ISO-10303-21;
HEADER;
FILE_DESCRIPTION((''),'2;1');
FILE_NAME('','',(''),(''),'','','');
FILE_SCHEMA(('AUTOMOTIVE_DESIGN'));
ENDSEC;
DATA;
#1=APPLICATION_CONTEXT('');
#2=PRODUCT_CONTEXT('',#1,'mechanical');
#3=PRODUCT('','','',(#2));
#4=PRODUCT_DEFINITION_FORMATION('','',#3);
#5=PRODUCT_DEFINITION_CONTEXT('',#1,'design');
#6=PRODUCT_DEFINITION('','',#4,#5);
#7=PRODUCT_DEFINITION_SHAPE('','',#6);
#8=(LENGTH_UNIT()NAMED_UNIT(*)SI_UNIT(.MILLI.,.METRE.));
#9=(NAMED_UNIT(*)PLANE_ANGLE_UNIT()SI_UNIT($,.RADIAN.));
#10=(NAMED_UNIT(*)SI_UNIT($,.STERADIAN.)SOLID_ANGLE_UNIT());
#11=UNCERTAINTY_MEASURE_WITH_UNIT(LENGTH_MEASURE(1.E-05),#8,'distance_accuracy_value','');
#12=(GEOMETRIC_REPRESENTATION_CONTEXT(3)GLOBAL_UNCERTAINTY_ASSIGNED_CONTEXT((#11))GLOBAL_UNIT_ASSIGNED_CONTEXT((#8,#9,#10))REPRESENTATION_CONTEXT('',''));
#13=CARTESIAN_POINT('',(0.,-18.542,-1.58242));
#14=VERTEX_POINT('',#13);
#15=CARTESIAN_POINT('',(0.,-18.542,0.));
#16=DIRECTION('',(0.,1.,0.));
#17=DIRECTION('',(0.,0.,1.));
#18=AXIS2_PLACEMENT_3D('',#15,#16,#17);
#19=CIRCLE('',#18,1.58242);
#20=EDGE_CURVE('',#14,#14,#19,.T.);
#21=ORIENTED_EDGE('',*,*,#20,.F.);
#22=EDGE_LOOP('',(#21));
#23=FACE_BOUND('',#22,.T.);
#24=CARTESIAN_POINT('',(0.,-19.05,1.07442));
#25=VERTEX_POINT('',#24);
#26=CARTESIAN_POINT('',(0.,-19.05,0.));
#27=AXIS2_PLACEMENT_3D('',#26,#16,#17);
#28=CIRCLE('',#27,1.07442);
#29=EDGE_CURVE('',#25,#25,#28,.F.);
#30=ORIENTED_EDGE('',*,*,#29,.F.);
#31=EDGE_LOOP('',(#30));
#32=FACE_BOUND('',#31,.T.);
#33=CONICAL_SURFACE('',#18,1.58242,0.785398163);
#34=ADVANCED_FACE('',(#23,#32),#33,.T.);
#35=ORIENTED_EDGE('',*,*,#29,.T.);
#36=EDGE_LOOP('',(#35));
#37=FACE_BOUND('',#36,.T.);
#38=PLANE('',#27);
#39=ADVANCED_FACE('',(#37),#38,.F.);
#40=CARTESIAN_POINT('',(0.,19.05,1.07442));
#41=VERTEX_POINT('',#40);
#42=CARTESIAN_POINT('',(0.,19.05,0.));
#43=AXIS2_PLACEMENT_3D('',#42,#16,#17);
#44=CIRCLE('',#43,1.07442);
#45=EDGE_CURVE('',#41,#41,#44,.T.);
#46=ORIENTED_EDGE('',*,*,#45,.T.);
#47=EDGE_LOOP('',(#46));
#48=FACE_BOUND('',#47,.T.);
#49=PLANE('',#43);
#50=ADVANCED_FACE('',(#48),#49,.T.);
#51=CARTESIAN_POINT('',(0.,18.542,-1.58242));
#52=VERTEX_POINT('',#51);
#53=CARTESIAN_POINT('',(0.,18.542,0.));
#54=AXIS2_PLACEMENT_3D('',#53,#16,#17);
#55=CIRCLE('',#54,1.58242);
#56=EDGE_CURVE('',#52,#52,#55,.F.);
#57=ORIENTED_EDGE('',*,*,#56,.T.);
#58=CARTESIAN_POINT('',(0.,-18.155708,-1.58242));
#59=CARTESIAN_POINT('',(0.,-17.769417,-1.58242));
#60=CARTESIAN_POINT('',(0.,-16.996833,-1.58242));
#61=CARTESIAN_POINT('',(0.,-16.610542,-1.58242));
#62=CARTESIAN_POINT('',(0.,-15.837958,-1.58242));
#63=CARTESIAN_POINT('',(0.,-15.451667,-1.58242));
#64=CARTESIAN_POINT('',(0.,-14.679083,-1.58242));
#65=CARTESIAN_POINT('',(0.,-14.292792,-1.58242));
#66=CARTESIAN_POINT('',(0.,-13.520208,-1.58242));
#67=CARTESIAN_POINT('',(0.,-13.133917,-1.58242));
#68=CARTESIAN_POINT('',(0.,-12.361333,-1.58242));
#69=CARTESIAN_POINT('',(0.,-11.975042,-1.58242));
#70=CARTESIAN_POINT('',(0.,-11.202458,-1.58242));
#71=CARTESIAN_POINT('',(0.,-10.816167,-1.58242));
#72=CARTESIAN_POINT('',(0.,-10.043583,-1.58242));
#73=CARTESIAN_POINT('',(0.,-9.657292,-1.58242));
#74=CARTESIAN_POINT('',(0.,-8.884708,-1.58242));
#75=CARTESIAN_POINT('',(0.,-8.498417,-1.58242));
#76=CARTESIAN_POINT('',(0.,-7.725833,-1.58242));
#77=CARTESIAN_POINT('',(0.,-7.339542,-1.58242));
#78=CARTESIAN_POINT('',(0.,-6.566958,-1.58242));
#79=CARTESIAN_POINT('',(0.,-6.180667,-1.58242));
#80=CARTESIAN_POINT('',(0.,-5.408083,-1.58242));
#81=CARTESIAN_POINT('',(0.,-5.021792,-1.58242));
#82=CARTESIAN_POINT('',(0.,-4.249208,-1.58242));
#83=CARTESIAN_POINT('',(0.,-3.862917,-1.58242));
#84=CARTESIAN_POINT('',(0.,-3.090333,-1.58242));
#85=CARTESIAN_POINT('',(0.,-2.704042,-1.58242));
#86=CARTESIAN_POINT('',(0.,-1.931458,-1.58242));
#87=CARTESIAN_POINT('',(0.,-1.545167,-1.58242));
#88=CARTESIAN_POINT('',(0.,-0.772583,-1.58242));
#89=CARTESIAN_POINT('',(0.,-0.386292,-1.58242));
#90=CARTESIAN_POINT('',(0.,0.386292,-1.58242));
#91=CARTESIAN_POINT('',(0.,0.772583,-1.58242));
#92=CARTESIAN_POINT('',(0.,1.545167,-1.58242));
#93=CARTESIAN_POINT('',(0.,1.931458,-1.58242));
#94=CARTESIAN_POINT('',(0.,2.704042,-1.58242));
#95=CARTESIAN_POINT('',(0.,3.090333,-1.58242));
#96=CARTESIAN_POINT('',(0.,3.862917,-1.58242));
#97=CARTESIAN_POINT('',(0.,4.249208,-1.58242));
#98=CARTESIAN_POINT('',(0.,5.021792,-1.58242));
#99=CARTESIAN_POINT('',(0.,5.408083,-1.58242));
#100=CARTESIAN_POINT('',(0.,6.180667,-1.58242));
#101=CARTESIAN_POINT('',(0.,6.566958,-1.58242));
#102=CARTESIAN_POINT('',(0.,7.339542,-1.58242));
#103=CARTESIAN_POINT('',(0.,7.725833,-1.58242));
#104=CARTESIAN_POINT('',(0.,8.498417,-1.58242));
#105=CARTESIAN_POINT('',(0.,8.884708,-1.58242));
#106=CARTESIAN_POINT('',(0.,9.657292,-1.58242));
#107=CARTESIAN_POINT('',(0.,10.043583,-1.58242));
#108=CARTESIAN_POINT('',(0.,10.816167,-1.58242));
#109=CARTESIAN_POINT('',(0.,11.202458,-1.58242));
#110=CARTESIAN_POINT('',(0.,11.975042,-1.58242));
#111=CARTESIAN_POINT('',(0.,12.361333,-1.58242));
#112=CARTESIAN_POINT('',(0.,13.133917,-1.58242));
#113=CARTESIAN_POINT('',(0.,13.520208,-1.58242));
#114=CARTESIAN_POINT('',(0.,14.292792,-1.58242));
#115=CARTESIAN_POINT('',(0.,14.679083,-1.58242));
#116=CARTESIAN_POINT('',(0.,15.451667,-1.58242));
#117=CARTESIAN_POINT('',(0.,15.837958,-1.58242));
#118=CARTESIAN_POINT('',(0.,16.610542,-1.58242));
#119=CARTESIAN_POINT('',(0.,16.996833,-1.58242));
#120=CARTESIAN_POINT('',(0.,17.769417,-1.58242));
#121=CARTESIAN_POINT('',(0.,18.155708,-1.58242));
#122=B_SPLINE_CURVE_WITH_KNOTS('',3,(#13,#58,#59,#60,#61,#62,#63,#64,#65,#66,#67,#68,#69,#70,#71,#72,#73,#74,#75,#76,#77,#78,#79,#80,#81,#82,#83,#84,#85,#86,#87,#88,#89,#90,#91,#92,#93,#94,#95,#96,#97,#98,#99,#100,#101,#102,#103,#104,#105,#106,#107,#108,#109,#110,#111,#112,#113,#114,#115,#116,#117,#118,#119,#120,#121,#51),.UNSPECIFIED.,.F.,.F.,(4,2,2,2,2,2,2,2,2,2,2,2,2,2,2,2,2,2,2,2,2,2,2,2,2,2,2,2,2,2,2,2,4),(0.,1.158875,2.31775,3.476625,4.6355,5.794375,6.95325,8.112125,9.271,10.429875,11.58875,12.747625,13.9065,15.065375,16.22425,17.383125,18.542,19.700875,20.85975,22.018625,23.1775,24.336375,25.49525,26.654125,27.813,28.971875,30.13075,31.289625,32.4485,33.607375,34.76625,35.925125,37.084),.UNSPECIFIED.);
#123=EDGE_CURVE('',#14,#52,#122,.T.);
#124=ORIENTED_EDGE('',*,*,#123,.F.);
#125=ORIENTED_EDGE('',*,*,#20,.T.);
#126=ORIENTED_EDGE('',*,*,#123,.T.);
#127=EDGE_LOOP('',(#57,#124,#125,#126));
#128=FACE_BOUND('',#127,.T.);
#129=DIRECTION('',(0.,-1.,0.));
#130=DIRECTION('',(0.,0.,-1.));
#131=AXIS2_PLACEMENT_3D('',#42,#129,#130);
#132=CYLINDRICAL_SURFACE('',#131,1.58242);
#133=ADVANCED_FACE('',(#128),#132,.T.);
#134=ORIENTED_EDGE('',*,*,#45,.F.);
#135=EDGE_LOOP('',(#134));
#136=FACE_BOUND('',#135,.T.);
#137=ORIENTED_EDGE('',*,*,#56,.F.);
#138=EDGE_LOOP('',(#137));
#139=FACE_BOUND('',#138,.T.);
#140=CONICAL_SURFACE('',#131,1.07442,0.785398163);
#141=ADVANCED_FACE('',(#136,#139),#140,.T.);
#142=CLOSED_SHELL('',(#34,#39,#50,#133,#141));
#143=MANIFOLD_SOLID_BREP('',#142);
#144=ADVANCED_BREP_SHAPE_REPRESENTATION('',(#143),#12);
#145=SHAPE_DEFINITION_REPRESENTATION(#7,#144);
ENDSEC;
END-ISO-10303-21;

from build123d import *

# Parameters (mm, degrees)
SKETCH1_R           = 1.58242
BOSS_EXTRUDE1_DEPTH = 19.05
CHAMFER1_SIZE       = 0.508


with BuildPart() as part:
    # Sketch1 → Boss-Extrude1 (new, symmetric)
    with BuildSketch(Plane(origin=(0, 0, 0), x_dir=(1, 0, 0), z_dir=(0, 1, 0))):
        with Locations(Location((0, 0, 0), (0, 0, 90))):
            Circle(SKETCH1_R)
    extrude(amount=BOSS_EXTRUDE1_DEPTH, both=True)

    # Chamfer1
    chamfer1_edges = [part.edges().sort_by_distance(p)[0] for p in [
        (0, -19.05, 1.58242),
        (0, 19.05, 1.58242),
    ]]
    chamfer(chamfer1_edges, length=CHAMFER1_SIZE)


solid = part.part
